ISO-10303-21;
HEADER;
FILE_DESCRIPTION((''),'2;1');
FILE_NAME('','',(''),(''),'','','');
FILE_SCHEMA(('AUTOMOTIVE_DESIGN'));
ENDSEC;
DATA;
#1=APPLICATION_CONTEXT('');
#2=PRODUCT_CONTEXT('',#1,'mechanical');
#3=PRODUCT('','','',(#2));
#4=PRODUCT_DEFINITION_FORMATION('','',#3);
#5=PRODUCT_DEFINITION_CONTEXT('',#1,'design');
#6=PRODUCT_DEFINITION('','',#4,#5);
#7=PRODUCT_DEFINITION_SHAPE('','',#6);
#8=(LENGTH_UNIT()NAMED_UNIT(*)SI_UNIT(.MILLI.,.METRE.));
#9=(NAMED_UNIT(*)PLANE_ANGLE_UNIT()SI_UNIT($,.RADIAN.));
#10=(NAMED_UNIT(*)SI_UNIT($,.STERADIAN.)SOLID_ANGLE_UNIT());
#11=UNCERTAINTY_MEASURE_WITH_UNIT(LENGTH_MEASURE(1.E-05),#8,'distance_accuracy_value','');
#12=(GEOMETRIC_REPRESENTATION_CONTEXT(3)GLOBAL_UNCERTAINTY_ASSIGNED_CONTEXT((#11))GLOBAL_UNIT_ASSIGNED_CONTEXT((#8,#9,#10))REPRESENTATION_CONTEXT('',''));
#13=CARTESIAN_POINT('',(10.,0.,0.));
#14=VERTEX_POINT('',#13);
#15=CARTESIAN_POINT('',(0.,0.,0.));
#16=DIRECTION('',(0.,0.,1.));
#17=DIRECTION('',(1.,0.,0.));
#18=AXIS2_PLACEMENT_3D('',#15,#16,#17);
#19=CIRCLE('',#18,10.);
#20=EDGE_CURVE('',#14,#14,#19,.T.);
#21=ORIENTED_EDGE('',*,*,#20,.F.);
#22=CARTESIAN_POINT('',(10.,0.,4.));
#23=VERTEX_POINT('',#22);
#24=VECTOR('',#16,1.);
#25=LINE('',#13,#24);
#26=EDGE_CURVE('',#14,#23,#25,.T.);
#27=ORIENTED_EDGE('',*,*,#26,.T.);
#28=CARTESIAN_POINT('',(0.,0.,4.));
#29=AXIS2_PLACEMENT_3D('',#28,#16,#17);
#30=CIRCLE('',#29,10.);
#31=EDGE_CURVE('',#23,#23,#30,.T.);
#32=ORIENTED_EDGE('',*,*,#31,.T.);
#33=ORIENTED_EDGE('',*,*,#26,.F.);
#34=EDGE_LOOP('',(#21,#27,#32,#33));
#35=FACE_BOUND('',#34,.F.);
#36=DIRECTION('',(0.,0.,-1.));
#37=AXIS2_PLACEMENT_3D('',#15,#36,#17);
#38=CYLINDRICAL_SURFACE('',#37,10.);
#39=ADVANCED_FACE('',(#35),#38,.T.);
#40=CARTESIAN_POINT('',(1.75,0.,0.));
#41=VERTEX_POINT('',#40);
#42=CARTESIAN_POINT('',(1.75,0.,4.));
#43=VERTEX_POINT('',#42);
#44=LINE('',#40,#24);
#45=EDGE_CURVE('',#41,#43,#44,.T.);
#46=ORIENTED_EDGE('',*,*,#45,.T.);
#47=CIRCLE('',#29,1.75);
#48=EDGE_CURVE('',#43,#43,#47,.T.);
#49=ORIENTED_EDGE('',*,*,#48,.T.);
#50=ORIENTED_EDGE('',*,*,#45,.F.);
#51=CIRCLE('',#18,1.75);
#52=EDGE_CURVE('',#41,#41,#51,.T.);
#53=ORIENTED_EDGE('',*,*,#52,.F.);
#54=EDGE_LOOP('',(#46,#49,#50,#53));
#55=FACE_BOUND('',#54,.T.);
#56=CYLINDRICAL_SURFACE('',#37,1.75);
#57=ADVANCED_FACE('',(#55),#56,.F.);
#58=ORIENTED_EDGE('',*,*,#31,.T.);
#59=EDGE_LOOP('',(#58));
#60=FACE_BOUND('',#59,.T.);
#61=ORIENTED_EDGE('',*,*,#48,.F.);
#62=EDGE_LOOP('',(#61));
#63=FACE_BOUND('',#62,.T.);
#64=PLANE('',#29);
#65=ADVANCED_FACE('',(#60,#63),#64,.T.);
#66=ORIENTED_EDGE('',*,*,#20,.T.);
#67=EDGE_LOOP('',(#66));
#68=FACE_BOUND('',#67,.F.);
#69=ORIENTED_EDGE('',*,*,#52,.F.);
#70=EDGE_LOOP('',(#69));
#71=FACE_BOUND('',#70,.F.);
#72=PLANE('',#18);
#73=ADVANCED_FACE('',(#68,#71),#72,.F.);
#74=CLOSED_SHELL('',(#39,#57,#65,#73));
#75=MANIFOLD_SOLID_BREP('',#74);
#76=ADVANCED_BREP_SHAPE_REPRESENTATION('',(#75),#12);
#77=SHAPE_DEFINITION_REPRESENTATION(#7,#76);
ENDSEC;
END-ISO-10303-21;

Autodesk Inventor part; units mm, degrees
ref_plane "YZ Plane" through (0, 0, 0) normal (1, 0, 0) x (0, 1, 0)
ref_plane "XZ Plane" through (0, 0, 0) normal (0, 1, 0) x (-1, 0, 0)
ref_plane "XY Plane" through (0, 0, 0) normal (0, 0, 1) x (1, 0, 0)
sketch "Sketch1" plane through (0, 0, 0) normal (0, 0, 1) x (1, 0, 0)
  circle A0 centre (0, 0) radius 1.75
  circle A1 centre (0, 0) radius 10
  dimension "d0" = 3.5
  dimension "d1" = 20
extrude "Extrusion1" add sketch "Sketch1" along normal blind 4
properties part number "podkładka pod przekładnie"
